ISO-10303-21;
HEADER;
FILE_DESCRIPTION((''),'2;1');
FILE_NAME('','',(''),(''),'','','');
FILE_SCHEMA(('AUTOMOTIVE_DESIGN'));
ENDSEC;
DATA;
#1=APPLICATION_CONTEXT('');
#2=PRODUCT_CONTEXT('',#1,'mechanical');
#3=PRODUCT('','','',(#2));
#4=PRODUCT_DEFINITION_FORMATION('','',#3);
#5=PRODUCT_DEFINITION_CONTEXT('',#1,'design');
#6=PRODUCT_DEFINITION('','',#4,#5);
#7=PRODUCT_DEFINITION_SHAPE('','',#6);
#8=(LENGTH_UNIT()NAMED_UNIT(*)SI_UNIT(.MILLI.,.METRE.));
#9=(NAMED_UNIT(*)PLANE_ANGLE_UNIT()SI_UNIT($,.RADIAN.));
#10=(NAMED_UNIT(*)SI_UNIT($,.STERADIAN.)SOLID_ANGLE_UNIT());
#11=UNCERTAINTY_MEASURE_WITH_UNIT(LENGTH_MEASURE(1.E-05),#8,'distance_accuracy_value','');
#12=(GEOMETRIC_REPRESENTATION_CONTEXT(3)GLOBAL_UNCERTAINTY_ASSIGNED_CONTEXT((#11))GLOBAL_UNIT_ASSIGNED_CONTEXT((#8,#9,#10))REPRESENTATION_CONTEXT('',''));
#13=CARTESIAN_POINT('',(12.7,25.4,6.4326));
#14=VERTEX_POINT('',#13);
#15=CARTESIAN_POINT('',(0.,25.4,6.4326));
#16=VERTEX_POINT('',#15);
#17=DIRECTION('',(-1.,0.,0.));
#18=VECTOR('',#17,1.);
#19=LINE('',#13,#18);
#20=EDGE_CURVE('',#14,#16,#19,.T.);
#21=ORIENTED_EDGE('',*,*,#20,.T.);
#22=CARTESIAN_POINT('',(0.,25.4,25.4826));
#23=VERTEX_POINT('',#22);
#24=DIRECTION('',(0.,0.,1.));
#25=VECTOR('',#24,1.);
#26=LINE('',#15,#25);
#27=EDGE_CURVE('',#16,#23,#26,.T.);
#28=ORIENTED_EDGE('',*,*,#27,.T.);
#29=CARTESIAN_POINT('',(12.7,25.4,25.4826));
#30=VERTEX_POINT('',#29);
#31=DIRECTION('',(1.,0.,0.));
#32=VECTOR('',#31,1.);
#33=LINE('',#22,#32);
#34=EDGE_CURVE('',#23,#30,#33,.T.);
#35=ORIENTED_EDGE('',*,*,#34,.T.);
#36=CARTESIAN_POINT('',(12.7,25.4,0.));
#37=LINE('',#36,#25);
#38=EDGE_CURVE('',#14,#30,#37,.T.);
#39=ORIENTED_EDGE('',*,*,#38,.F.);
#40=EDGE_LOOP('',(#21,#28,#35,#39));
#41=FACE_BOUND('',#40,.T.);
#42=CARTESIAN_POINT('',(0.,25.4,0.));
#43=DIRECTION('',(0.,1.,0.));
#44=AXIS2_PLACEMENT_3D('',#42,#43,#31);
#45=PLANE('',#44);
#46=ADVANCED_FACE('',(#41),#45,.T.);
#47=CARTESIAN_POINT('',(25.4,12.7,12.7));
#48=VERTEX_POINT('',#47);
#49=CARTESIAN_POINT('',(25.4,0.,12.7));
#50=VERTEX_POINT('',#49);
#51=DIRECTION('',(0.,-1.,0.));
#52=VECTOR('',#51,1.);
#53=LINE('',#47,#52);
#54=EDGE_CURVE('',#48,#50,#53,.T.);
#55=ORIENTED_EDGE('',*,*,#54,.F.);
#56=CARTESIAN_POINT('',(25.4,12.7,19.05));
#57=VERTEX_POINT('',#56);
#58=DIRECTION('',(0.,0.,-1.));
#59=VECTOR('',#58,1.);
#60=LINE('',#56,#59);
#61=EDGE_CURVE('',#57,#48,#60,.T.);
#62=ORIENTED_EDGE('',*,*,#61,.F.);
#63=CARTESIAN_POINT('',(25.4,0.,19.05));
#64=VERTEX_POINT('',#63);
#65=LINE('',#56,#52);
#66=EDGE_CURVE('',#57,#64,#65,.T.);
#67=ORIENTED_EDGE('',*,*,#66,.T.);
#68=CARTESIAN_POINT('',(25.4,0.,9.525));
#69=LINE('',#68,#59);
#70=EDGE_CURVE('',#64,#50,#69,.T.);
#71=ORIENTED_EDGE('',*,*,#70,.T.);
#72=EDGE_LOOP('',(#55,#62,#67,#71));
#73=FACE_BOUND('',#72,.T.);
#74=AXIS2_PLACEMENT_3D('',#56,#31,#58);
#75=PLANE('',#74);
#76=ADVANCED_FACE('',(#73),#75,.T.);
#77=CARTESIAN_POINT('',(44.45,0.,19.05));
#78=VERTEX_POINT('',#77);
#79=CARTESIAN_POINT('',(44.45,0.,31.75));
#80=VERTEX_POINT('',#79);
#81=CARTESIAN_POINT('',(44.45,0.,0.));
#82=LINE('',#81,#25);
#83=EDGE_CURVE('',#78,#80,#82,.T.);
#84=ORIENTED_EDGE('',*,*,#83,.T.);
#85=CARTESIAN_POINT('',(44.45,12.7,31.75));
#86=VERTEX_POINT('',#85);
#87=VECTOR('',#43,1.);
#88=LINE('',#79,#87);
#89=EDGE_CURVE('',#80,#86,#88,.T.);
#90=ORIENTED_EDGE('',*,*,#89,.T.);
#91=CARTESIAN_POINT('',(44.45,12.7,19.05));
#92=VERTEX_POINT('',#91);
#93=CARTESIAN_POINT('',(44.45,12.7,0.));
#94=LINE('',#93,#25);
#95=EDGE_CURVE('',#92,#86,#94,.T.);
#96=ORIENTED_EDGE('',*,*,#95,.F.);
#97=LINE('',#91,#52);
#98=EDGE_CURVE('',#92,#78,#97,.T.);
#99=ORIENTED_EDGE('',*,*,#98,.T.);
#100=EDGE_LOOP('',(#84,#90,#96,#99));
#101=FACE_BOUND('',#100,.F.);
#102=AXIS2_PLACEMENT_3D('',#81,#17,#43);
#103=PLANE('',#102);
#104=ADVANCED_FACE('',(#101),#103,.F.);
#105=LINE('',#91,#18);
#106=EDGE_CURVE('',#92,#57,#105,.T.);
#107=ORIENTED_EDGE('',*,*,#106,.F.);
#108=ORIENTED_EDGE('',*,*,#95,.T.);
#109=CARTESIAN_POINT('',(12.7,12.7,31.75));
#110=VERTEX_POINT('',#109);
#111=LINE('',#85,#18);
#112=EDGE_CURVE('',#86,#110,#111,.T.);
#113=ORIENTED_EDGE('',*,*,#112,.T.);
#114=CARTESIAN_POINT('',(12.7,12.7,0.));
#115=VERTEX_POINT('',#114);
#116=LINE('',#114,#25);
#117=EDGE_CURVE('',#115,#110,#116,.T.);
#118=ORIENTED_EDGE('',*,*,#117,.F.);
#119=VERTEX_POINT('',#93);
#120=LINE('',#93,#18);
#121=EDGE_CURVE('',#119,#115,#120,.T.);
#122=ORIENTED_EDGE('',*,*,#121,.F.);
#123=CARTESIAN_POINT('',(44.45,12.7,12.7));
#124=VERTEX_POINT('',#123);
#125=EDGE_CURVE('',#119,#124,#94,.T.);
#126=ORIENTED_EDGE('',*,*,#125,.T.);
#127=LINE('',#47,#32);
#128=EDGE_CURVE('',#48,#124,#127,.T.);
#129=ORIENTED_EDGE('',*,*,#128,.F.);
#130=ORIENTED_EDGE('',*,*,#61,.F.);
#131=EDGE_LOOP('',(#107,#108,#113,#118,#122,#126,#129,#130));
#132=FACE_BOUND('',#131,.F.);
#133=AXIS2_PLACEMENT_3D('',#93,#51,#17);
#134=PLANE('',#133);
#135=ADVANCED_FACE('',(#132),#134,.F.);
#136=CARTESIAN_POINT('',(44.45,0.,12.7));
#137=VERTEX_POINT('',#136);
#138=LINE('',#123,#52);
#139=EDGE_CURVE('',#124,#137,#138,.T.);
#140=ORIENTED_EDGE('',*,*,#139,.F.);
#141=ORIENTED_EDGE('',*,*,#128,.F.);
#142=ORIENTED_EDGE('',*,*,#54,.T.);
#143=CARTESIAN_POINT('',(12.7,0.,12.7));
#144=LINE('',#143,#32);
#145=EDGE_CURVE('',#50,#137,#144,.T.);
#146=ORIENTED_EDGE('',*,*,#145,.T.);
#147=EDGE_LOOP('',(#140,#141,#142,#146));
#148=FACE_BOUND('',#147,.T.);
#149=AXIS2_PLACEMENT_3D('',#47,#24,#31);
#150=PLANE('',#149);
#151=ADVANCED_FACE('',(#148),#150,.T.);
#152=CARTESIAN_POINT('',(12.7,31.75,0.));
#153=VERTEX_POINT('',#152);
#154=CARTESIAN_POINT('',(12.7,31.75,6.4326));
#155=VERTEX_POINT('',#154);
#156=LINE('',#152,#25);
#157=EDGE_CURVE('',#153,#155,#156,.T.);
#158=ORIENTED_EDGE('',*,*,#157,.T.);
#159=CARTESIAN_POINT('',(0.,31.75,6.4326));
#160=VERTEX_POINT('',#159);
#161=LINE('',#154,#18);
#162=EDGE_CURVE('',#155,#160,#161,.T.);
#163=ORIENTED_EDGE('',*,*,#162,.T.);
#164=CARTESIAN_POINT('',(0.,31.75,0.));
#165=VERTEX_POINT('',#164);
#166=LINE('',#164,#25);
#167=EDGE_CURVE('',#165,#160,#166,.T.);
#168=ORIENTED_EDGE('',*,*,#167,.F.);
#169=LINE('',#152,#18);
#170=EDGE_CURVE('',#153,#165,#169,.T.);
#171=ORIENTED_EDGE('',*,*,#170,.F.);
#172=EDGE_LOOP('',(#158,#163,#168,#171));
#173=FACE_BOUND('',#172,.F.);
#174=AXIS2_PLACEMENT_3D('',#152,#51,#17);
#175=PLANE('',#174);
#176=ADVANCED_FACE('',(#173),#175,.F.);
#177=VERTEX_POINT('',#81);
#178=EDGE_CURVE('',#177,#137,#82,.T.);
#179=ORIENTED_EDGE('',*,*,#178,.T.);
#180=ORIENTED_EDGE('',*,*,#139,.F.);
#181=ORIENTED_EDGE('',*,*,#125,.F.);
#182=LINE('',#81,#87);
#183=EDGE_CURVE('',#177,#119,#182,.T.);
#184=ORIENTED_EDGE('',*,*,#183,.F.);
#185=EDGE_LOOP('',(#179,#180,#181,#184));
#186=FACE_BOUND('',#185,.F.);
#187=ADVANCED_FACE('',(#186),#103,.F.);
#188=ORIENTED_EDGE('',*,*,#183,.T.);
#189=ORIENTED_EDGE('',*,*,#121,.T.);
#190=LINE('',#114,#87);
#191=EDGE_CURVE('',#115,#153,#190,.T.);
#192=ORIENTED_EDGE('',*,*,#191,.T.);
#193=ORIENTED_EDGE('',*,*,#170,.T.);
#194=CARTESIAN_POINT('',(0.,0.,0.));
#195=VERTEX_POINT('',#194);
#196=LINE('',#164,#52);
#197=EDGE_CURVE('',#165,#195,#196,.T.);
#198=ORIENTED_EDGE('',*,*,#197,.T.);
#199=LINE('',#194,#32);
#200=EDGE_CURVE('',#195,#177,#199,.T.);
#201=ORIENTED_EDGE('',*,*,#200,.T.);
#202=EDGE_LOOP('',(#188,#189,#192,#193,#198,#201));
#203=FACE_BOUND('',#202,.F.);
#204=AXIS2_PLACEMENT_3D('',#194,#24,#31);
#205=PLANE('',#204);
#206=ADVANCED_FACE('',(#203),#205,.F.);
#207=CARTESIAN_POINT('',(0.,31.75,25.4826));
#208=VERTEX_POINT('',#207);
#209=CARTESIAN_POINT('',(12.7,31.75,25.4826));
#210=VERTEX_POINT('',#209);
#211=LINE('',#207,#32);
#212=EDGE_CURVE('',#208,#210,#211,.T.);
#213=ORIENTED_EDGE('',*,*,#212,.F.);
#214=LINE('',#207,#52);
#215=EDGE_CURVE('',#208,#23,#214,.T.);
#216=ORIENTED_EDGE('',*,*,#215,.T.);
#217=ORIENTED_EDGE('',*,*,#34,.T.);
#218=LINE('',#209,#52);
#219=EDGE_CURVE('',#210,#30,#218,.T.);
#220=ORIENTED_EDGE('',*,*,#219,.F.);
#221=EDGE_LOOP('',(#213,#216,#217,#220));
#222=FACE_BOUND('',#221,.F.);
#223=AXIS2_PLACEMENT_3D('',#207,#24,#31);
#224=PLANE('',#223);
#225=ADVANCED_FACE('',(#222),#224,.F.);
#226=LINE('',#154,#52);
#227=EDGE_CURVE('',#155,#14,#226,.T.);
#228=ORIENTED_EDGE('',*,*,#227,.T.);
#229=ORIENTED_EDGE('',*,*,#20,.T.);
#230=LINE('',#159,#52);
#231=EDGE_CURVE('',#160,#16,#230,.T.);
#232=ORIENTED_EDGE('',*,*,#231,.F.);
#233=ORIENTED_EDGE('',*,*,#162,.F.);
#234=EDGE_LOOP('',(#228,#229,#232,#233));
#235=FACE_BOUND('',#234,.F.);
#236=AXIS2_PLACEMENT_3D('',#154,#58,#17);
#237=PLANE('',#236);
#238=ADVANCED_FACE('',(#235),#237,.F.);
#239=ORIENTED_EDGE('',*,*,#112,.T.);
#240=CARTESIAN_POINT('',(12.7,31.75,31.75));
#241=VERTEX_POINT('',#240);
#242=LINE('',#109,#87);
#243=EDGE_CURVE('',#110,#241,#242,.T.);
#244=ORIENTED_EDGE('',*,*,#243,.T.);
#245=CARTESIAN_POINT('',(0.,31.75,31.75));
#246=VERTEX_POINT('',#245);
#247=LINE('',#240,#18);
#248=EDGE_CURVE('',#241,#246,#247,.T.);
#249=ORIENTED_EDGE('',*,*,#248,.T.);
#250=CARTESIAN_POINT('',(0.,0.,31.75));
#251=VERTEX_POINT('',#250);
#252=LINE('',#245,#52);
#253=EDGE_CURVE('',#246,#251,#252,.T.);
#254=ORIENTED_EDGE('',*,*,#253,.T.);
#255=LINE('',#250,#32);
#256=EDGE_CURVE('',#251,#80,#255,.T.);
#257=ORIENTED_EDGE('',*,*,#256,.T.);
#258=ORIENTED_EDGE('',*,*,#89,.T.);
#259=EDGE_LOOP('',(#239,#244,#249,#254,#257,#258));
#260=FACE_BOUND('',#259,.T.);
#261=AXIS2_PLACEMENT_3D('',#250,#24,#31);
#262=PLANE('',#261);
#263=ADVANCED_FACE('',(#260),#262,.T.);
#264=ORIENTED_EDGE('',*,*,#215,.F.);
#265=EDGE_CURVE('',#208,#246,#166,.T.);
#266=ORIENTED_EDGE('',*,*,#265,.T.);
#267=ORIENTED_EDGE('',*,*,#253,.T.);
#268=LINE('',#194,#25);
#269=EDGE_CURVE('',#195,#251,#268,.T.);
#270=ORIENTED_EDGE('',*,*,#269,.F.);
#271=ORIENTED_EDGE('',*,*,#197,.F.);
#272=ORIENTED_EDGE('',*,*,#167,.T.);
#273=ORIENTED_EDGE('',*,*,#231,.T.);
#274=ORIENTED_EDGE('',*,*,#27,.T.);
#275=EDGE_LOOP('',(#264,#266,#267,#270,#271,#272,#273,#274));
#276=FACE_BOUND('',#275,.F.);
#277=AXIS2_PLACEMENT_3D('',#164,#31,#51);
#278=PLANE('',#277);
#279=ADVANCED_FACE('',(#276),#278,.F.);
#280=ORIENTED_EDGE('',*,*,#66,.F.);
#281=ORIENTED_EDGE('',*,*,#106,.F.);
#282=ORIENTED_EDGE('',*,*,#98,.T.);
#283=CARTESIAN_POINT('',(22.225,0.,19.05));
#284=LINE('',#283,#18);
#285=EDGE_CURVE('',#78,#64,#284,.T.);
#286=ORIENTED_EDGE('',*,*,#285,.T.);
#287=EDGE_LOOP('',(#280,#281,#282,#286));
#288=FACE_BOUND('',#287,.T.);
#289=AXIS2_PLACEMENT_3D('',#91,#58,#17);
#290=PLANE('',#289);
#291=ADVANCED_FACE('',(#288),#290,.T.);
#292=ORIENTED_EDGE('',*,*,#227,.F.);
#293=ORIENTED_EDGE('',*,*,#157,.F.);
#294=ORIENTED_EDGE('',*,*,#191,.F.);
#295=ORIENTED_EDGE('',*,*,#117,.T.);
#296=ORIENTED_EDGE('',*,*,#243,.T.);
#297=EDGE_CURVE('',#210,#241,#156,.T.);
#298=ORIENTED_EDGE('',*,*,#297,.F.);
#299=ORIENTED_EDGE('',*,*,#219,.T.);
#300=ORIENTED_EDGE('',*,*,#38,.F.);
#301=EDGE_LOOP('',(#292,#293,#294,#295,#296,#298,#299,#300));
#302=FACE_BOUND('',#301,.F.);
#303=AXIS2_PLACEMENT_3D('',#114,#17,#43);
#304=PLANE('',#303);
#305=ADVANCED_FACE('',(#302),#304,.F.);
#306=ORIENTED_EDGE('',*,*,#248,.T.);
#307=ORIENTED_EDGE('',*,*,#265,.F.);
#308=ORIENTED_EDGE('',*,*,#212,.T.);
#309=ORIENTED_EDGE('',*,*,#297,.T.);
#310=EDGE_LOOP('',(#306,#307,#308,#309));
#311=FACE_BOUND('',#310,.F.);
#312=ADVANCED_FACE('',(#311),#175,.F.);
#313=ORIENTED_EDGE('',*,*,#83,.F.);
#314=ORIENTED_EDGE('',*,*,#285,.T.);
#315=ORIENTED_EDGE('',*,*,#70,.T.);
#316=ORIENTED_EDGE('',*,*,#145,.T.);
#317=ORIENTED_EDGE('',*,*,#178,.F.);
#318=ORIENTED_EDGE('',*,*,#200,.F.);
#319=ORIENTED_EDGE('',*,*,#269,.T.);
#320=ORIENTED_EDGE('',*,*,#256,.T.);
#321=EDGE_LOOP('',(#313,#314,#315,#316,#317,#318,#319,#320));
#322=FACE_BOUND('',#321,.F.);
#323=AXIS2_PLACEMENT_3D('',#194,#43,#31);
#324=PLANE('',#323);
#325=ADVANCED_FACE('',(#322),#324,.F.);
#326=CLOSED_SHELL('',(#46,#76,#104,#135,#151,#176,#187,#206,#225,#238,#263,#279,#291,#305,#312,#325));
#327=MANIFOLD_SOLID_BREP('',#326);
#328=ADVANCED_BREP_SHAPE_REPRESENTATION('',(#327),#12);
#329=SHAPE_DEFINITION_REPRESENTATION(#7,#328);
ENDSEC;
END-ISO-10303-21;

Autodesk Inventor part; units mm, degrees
ref_plane "YZ Plane" through (0, 0, 0) normal (1, 0, 0) x (0, 1, 0)
ref_plane "XZ Plane" through (0, 0, 0) normal (0, 1, 0) x (-1, 0, 0)
ref_plane "XY Plane" through (0, 0, 0) normal (0, 0, 1) x (1, 0, 0)
sketch "Sketch1" plane through (0, 0, 0) normal (0, 0, 1) x (1, 0, 0)
  line L0 (0, 0) -> (44.45, 0)
  line L1 (44.45, 0) -> (44.45, 12.7)
  line L2 (44.45, 12.7) -> (12.7, 12.7)
  line L3 (12.7, 12.7) -> (12.7, 31.75)
  line L4 (12.7, 31.75) -> (0, 31.75)
  line L5 (0, 31.75) -> (0, 0)
  dimension "d0" = 44.45
  dimension "d1" = 12.7
  dimension "d2" = 31.75
  dimension "d3" = 19.05
extrude "Extrusion1" add sketch "Sketch1" along normal blind 31.75
sketch "Sketch2" plane through (0, 31.75, 0) normal (0, 1, 0) x (1, 0, 0)
  line L0 (0, -31.8326) -> (0, -25.4826) construction
  line L1 (0, 0) -> (0, -31.75) construction
  line L2 (0, -25.4826) -> (12.7, -25.4826)
  line L3 (12.7, 0) -> (12.7, -31.75) projected
  line L4 (12.7, -25.4826) -> (12.7, -6.4326)
  line L5 (12.7, -6.4326) -> (0, -6.4326)
  line L6 (0, -6.4326) -> (0, -25.4826)
  dimension "d6" = 6.35
  dimension "d7" = 19.05
extrude "Extrusion2" cut sketch "Sketch2" against normal blind 6.35
sketch "Sketch4" plane through (12.7, 12.7, 0) normal (0, 1, 0) x (1, 0, 0)
  line L0 (31.75, 0) -> (31.75, -31.75) construction
  line L1 (31.75, -31.75) -> (31.75, -19.05) construction
  line L2 (31.75, -19.05) -> (12.7, -19.05)
  line L3 (12.7, -19.05) -> (12.7, -12.7)
  line L4 (12.7, -12.7) -> (31.75, -12.7)
  line L5 (31.75, -12.7) -> (31.75, -19.05)
  point P0 (-12.7, 0)
  dimension "d10" = 12.7
  dimension "d11" = 19.05
  dimension "d12" = 6.35
extrude "Extrusion3" cut sketch "Sketch4" against normal blind 19.05
properties part number "Aluminum Part" material "Aluminum 6061"
